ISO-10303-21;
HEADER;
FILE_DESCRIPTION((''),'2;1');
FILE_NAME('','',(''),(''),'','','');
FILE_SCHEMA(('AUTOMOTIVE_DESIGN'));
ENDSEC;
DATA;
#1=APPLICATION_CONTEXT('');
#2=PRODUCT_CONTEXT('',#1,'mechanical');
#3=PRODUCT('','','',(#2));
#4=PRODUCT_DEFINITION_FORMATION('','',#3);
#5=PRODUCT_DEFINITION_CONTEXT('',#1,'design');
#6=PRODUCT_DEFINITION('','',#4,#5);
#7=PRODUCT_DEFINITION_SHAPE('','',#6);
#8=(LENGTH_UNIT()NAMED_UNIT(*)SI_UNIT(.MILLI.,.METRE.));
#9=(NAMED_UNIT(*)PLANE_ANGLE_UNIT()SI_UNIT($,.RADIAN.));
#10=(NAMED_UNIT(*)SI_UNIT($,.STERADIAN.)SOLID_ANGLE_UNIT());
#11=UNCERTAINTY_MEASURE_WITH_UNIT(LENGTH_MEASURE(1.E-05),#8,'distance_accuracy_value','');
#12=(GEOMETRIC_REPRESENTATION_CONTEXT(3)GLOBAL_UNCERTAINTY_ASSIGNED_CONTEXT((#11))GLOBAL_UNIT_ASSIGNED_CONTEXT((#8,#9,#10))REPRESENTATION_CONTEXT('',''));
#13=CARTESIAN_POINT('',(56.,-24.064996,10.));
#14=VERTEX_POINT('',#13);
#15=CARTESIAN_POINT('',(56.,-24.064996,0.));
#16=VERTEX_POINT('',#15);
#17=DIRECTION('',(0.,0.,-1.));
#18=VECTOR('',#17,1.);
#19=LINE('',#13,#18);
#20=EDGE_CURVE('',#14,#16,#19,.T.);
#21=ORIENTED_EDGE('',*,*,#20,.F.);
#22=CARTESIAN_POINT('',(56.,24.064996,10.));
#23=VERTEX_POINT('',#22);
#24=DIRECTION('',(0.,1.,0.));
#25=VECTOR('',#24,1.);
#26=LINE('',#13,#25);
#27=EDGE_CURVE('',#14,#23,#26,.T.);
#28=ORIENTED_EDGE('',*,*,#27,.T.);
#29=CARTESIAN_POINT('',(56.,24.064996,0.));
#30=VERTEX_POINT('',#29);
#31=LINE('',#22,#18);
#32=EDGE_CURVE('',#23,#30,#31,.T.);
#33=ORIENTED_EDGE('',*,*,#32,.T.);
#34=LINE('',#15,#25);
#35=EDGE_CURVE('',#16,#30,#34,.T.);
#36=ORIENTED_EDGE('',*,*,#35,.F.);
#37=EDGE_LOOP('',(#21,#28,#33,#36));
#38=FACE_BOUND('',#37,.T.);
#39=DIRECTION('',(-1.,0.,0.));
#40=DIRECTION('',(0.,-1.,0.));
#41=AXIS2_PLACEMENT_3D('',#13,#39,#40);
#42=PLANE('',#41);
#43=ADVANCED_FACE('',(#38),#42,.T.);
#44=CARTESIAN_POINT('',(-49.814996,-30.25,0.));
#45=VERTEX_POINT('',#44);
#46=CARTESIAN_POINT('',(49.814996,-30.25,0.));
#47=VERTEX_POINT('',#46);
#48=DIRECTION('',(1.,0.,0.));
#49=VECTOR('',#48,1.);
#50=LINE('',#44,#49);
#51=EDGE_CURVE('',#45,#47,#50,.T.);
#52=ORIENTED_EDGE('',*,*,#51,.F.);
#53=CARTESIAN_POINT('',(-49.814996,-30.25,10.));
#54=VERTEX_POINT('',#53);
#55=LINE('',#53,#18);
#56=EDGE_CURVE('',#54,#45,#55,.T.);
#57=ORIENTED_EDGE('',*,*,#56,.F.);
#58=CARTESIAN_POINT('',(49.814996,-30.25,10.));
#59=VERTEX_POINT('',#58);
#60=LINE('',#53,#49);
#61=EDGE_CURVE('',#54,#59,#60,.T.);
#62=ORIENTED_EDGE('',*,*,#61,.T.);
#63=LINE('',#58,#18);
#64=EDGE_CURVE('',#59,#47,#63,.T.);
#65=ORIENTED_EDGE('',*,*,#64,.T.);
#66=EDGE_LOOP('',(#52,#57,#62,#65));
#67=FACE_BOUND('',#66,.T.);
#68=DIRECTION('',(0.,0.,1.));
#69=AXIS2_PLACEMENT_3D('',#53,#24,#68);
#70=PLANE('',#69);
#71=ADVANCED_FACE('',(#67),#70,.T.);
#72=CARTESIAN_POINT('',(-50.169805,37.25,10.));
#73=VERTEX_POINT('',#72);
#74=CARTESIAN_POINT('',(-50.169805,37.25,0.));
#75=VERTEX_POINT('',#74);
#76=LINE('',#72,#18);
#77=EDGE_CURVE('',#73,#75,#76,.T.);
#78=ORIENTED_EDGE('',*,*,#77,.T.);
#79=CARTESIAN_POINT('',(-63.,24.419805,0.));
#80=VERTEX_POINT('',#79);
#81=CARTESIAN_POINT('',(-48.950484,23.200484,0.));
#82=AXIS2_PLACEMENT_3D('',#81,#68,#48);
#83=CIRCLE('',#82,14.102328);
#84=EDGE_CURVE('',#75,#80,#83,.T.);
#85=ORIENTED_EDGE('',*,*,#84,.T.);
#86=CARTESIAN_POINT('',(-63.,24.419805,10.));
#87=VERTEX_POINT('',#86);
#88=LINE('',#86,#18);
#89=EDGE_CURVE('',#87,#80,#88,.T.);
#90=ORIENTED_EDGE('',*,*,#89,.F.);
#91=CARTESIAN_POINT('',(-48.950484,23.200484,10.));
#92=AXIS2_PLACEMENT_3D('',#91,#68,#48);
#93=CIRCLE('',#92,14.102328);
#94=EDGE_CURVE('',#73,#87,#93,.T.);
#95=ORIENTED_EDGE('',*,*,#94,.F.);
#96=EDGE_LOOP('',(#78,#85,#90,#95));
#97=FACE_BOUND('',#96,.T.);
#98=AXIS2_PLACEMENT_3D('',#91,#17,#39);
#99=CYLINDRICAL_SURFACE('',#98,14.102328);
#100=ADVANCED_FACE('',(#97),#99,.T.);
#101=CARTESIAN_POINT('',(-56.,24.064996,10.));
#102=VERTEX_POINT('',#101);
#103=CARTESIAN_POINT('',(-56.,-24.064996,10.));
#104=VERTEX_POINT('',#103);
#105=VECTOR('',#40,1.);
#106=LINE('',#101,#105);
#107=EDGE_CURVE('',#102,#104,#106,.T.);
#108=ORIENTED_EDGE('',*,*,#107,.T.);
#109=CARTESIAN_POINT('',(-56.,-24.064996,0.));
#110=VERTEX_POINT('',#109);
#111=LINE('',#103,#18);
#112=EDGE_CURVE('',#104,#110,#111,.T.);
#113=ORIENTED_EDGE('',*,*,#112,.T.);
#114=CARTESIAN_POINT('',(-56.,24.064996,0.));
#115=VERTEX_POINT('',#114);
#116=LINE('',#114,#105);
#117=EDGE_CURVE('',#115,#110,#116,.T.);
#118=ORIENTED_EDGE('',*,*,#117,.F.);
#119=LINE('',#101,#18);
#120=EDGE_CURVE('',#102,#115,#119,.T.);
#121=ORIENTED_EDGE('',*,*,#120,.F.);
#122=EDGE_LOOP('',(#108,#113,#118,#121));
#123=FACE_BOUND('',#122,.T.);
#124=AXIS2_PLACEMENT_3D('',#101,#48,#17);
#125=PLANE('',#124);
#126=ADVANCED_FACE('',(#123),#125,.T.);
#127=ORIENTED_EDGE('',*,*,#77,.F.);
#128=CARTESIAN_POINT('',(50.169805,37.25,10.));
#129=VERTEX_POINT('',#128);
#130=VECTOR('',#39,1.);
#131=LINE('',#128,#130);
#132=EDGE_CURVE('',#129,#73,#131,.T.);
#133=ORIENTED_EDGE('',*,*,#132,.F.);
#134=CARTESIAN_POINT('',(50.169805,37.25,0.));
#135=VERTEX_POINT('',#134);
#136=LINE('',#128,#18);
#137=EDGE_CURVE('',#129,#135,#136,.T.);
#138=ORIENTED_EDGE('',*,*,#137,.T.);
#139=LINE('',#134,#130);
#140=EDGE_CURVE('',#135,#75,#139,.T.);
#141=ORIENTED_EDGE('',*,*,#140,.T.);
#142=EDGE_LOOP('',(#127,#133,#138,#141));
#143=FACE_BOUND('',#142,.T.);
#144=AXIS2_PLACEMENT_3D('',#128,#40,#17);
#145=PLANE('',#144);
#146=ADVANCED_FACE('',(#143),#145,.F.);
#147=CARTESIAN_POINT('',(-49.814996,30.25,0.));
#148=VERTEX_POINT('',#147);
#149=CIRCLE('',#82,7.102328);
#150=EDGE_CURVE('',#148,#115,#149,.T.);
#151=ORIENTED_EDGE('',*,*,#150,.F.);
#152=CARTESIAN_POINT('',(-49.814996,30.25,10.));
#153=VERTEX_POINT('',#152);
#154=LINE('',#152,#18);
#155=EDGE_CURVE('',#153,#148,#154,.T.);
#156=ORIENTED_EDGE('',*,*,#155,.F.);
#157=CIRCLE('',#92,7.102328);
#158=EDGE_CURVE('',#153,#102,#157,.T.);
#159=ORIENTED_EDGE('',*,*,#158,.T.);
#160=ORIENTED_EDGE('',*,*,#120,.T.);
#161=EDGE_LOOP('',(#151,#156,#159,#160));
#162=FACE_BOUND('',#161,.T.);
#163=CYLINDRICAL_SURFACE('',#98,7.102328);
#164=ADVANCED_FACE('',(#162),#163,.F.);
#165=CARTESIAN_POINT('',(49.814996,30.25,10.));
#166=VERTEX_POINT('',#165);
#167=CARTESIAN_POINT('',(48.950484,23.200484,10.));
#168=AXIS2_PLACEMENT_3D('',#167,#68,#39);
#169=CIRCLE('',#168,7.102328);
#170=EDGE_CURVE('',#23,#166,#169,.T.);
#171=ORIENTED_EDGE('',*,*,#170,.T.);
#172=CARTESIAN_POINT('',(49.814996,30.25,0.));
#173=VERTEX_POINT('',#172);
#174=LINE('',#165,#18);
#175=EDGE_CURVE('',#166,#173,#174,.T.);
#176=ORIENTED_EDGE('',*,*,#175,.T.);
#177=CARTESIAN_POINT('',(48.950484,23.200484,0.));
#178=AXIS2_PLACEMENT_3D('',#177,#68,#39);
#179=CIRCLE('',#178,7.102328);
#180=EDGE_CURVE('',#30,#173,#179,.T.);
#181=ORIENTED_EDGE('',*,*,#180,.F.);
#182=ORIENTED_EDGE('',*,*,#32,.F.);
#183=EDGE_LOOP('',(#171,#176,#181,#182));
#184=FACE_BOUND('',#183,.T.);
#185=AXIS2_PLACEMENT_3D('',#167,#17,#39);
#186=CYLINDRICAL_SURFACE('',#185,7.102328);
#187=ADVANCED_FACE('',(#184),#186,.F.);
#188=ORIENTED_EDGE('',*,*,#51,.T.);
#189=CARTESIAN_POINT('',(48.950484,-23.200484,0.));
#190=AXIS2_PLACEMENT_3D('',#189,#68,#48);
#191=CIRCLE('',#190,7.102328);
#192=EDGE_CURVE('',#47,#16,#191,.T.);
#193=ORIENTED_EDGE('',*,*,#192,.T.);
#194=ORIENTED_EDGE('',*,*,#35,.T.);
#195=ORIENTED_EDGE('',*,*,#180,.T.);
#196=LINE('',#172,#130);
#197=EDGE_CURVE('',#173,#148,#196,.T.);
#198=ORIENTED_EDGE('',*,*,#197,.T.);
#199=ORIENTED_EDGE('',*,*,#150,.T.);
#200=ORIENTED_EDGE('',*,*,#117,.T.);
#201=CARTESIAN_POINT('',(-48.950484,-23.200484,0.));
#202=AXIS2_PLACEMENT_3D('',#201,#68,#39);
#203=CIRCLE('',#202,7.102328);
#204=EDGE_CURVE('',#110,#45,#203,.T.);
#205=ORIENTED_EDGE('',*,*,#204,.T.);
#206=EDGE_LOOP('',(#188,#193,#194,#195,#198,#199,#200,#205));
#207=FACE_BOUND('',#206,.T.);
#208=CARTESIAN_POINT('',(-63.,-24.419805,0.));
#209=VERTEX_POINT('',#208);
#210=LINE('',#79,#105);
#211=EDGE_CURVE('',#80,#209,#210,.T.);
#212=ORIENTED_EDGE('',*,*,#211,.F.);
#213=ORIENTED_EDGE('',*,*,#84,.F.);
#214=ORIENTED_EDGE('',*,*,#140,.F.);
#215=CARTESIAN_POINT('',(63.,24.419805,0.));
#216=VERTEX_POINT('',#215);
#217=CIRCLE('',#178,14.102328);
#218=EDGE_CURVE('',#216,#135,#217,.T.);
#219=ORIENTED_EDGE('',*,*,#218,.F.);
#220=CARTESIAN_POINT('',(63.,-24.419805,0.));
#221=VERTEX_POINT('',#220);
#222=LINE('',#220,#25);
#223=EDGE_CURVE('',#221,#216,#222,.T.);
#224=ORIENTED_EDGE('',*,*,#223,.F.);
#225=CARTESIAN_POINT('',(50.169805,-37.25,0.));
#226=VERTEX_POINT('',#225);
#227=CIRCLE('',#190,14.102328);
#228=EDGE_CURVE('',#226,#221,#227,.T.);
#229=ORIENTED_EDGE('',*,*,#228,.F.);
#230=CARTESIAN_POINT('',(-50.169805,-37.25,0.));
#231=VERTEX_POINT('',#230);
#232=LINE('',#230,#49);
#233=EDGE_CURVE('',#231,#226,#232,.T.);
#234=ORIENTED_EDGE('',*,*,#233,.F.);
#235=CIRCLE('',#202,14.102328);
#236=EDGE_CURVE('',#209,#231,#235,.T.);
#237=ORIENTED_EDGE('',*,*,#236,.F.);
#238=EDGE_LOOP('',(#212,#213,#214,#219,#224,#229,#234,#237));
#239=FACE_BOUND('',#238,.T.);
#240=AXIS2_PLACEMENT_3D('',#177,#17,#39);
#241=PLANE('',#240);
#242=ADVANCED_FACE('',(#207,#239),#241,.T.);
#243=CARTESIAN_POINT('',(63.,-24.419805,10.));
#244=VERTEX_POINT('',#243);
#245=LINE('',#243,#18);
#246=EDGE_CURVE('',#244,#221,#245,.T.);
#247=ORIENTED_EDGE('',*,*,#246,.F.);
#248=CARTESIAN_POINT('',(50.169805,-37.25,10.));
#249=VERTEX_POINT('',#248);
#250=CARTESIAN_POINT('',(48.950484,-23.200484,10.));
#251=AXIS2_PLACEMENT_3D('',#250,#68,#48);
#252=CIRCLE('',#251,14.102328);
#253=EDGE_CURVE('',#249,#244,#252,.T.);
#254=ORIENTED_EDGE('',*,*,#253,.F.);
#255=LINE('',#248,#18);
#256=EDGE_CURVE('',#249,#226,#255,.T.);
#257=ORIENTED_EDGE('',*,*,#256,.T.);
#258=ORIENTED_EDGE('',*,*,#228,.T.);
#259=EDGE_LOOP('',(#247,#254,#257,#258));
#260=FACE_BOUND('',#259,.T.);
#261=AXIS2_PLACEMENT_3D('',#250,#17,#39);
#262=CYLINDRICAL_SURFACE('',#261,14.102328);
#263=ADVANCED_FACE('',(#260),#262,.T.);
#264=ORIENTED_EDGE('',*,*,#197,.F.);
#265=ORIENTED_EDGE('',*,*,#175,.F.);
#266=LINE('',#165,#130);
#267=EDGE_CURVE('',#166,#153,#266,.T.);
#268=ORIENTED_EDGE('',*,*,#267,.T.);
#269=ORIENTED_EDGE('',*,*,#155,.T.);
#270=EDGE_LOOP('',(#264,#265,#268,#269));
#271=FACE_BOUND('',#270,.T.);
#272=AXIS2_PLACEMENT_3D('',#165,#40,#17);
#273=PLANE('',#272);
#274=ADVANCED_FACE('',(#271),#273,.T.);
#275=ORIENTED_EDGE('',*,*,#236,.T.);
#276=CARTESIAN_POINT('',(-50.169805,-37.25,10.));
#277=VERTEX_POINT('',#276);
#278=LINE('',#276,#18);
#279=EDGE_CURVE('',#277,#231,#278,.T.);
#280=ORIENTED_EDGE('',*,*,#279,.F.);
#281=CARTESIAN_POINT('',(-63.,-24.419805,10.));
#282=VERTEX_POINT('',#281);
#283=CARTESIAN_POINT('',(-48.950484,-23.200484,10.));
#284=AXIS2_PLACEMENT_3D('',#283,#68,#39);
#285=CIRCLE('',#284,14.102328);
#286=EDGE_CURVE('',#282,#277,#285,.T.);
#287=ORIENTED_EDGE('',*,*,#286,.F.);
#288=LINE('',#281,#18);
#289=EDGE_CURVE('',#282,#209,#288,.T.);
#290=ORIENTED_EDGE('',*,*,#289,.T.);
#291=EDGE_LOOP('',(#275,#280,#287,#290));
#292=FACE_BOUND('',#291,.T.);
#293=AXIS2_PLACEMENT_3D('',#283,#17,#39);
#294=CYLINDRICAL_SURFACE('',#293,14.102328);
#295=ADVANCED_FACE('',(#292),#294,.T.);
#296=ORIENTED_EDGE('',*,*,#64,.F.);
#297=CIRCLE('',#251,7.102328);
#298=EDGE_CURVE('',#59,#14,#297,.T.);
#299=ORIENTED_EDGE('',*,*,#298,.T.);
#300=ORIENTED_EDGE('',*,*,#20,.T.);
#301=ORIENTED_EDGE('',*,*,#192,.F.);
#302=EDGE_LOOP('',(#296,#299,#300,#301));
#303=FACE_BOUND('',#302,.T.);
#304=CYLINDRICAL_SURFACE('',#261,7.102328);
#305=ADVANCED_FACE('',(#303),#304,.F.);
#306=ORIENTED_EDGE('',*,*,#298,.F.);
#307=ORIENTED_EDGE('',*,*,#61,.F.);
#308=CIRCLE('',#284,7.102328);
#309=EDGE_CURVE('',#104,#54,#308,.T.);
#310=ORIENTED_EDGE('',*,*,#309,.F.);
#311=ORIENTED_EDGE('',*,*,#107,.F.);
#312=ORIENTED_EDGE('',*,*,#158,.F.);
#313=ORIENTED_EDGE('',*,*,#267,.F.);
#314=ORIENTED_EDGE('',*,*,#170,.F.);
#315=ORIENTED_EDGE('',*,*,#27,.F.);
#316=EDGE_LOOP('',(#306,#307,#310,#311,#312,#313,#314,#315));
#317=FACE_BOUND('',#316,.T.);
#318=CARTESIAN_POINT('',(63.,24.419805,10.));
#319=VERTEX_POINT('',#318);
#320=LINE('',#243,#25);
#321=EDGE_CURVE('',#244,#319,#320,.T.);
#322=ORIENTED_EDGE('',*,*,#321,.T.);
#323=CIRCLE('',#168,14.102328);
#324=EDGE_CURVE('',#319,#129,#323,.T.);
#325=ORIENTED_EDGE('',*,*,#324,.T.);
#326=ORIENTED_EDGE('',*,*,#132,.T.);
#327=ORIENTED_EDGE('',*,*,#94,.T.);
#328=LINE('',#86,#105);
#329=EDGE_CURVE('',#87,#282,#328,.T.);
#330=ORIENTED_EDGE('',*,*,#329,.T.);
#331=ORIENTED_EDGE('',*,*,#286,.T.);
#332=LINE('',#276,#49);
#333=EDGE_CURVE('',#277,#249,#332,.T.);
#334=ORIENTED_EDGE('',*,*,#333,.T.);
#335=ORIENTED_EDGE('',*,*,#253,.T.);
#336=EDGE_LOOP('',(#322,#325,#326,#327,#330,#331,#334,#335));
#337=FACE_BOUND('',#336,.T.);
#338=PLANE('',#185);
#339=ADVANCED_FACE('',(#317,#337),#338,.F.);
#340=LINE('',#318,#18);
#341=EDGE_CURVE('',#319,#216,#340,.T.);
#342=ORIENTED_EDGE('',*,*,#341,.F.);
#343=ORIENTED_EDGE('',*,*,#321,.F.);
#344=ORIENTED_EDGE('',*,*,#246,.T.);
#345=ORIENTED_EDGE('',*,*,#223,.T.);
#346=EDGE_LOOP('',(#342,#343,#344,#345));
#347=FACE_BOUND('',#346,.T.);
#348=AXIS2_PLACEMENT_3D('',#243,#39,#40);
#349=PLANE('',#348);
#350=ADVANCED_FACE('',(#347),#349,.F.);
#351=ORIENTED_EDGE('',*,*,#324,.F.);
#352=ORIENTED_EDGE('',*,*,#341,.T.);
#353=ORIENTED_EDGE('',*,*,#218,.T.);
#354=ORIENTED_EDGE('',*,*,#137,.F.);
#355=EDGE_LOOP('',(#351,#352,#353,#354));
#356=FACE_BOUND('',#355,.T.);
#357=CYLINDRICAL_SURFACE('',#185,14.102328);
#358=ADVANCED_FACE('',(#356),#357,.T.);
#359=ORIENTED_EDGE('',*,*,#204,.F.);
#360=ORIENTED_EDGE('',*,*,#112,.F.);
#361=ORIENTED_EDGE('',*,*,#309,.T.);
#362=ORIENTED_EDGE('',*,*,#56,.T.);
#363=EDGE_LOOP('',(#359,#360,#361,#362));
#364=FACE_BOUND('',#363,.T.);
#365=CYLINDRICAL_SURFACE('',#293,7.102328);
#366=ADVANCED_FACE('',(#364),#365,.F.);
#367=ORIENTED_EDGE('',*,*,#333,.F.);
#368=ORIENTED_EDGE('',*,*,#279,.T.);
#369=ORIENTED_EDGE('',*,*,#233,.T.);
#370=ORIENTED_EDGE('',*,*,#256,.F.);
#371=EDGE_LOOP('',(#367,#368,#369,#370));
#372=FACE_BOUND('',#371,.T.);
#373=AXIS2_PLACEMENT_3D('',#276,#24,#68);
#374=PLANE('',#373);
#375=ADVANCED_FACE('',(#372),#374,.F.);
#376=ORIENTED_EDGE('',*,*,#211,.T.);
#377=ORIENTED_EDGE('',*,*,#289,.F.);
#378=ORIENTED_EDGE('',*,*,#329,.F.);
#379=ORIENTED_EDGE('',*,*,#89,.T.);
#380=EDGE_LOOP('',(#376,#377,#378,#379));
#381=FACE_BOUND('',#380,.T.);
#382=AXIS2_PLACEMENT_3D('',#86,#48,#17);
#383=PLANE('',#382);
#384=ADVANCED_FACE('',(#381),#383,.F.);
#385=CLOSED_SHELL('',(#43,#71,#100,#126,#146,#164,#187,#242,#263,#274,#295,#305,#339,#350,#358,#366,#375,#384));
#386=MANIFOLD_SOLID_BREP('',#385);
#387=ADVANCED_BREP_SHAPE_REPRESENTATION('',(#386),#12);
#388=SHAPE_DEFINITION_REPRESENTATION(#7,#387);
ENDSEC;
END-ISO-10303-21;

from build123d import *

# Parameters (mm, degrees)
EXTRUDE_1_DEPTH = 10


with BuildPart() as part:
    # Эскиз1 → Бобышка-Вытянуть1 (new body)
    with BuildSketch(Plane.XY):
        with BuildLine():
            Line((63, -24.419804811), (63, 24.419804811))
            ThreePointArc((63, 24.419804811), (58.922335459, 33.172335459), (50.169804811, 37.25))
            Line((50.169804811, 37.25), (-50.169804811, 37.25))
            ThreePointArc((-50.169804811, 37.25), (-58.922335459, 33.172335459), (-63, 24.419804811))
            Line((-63, 24.419804811), (-63, -24.419804811))
            ThreePointArc((-63, -24.419804811), (-58.922335459, -33.172335459), (-50.169804811, -37.25))
            Line((-50.169804811, -37.25), (50.169804811, -37.25))
            ThreePointArc((50.169804811, -37.25), (58.922335459, -33.172335459), (63, -24.419804811))
        make_face()
        with BuildLine():
            Line((56, -24.064996098), (56, 24.064996098))
            ThreePointArc((56, 24.064996098), (53.97258799, 28.22258799), (49.814996098, 30.25))
            Line((49.814996098, 30.25), (-49.814996098, 30.25))
            ThreePointArc((-49.814996098, 30.25), (-53.97258799, 28.22258799), (-56, 24.064996098))
            Line((-56, 24.064996098), (-56, -24.064996098))
            ThreePointArc((-56, -24.064996098), (-53.97258799, -28.22258799), (-49.814996098, -30.25))
            Line((-49.814996098, -30.25), (49.814996098, -30.25))
            ThreePointArc((49.814996098, -30.25), (53.97258799, -28.22258799), (56, -24.064996098))
        make_face(mode=Mode.SUBTRACT)
    extrude(amount=EXTRUDE_1_DEPTH)


solid = part.part
